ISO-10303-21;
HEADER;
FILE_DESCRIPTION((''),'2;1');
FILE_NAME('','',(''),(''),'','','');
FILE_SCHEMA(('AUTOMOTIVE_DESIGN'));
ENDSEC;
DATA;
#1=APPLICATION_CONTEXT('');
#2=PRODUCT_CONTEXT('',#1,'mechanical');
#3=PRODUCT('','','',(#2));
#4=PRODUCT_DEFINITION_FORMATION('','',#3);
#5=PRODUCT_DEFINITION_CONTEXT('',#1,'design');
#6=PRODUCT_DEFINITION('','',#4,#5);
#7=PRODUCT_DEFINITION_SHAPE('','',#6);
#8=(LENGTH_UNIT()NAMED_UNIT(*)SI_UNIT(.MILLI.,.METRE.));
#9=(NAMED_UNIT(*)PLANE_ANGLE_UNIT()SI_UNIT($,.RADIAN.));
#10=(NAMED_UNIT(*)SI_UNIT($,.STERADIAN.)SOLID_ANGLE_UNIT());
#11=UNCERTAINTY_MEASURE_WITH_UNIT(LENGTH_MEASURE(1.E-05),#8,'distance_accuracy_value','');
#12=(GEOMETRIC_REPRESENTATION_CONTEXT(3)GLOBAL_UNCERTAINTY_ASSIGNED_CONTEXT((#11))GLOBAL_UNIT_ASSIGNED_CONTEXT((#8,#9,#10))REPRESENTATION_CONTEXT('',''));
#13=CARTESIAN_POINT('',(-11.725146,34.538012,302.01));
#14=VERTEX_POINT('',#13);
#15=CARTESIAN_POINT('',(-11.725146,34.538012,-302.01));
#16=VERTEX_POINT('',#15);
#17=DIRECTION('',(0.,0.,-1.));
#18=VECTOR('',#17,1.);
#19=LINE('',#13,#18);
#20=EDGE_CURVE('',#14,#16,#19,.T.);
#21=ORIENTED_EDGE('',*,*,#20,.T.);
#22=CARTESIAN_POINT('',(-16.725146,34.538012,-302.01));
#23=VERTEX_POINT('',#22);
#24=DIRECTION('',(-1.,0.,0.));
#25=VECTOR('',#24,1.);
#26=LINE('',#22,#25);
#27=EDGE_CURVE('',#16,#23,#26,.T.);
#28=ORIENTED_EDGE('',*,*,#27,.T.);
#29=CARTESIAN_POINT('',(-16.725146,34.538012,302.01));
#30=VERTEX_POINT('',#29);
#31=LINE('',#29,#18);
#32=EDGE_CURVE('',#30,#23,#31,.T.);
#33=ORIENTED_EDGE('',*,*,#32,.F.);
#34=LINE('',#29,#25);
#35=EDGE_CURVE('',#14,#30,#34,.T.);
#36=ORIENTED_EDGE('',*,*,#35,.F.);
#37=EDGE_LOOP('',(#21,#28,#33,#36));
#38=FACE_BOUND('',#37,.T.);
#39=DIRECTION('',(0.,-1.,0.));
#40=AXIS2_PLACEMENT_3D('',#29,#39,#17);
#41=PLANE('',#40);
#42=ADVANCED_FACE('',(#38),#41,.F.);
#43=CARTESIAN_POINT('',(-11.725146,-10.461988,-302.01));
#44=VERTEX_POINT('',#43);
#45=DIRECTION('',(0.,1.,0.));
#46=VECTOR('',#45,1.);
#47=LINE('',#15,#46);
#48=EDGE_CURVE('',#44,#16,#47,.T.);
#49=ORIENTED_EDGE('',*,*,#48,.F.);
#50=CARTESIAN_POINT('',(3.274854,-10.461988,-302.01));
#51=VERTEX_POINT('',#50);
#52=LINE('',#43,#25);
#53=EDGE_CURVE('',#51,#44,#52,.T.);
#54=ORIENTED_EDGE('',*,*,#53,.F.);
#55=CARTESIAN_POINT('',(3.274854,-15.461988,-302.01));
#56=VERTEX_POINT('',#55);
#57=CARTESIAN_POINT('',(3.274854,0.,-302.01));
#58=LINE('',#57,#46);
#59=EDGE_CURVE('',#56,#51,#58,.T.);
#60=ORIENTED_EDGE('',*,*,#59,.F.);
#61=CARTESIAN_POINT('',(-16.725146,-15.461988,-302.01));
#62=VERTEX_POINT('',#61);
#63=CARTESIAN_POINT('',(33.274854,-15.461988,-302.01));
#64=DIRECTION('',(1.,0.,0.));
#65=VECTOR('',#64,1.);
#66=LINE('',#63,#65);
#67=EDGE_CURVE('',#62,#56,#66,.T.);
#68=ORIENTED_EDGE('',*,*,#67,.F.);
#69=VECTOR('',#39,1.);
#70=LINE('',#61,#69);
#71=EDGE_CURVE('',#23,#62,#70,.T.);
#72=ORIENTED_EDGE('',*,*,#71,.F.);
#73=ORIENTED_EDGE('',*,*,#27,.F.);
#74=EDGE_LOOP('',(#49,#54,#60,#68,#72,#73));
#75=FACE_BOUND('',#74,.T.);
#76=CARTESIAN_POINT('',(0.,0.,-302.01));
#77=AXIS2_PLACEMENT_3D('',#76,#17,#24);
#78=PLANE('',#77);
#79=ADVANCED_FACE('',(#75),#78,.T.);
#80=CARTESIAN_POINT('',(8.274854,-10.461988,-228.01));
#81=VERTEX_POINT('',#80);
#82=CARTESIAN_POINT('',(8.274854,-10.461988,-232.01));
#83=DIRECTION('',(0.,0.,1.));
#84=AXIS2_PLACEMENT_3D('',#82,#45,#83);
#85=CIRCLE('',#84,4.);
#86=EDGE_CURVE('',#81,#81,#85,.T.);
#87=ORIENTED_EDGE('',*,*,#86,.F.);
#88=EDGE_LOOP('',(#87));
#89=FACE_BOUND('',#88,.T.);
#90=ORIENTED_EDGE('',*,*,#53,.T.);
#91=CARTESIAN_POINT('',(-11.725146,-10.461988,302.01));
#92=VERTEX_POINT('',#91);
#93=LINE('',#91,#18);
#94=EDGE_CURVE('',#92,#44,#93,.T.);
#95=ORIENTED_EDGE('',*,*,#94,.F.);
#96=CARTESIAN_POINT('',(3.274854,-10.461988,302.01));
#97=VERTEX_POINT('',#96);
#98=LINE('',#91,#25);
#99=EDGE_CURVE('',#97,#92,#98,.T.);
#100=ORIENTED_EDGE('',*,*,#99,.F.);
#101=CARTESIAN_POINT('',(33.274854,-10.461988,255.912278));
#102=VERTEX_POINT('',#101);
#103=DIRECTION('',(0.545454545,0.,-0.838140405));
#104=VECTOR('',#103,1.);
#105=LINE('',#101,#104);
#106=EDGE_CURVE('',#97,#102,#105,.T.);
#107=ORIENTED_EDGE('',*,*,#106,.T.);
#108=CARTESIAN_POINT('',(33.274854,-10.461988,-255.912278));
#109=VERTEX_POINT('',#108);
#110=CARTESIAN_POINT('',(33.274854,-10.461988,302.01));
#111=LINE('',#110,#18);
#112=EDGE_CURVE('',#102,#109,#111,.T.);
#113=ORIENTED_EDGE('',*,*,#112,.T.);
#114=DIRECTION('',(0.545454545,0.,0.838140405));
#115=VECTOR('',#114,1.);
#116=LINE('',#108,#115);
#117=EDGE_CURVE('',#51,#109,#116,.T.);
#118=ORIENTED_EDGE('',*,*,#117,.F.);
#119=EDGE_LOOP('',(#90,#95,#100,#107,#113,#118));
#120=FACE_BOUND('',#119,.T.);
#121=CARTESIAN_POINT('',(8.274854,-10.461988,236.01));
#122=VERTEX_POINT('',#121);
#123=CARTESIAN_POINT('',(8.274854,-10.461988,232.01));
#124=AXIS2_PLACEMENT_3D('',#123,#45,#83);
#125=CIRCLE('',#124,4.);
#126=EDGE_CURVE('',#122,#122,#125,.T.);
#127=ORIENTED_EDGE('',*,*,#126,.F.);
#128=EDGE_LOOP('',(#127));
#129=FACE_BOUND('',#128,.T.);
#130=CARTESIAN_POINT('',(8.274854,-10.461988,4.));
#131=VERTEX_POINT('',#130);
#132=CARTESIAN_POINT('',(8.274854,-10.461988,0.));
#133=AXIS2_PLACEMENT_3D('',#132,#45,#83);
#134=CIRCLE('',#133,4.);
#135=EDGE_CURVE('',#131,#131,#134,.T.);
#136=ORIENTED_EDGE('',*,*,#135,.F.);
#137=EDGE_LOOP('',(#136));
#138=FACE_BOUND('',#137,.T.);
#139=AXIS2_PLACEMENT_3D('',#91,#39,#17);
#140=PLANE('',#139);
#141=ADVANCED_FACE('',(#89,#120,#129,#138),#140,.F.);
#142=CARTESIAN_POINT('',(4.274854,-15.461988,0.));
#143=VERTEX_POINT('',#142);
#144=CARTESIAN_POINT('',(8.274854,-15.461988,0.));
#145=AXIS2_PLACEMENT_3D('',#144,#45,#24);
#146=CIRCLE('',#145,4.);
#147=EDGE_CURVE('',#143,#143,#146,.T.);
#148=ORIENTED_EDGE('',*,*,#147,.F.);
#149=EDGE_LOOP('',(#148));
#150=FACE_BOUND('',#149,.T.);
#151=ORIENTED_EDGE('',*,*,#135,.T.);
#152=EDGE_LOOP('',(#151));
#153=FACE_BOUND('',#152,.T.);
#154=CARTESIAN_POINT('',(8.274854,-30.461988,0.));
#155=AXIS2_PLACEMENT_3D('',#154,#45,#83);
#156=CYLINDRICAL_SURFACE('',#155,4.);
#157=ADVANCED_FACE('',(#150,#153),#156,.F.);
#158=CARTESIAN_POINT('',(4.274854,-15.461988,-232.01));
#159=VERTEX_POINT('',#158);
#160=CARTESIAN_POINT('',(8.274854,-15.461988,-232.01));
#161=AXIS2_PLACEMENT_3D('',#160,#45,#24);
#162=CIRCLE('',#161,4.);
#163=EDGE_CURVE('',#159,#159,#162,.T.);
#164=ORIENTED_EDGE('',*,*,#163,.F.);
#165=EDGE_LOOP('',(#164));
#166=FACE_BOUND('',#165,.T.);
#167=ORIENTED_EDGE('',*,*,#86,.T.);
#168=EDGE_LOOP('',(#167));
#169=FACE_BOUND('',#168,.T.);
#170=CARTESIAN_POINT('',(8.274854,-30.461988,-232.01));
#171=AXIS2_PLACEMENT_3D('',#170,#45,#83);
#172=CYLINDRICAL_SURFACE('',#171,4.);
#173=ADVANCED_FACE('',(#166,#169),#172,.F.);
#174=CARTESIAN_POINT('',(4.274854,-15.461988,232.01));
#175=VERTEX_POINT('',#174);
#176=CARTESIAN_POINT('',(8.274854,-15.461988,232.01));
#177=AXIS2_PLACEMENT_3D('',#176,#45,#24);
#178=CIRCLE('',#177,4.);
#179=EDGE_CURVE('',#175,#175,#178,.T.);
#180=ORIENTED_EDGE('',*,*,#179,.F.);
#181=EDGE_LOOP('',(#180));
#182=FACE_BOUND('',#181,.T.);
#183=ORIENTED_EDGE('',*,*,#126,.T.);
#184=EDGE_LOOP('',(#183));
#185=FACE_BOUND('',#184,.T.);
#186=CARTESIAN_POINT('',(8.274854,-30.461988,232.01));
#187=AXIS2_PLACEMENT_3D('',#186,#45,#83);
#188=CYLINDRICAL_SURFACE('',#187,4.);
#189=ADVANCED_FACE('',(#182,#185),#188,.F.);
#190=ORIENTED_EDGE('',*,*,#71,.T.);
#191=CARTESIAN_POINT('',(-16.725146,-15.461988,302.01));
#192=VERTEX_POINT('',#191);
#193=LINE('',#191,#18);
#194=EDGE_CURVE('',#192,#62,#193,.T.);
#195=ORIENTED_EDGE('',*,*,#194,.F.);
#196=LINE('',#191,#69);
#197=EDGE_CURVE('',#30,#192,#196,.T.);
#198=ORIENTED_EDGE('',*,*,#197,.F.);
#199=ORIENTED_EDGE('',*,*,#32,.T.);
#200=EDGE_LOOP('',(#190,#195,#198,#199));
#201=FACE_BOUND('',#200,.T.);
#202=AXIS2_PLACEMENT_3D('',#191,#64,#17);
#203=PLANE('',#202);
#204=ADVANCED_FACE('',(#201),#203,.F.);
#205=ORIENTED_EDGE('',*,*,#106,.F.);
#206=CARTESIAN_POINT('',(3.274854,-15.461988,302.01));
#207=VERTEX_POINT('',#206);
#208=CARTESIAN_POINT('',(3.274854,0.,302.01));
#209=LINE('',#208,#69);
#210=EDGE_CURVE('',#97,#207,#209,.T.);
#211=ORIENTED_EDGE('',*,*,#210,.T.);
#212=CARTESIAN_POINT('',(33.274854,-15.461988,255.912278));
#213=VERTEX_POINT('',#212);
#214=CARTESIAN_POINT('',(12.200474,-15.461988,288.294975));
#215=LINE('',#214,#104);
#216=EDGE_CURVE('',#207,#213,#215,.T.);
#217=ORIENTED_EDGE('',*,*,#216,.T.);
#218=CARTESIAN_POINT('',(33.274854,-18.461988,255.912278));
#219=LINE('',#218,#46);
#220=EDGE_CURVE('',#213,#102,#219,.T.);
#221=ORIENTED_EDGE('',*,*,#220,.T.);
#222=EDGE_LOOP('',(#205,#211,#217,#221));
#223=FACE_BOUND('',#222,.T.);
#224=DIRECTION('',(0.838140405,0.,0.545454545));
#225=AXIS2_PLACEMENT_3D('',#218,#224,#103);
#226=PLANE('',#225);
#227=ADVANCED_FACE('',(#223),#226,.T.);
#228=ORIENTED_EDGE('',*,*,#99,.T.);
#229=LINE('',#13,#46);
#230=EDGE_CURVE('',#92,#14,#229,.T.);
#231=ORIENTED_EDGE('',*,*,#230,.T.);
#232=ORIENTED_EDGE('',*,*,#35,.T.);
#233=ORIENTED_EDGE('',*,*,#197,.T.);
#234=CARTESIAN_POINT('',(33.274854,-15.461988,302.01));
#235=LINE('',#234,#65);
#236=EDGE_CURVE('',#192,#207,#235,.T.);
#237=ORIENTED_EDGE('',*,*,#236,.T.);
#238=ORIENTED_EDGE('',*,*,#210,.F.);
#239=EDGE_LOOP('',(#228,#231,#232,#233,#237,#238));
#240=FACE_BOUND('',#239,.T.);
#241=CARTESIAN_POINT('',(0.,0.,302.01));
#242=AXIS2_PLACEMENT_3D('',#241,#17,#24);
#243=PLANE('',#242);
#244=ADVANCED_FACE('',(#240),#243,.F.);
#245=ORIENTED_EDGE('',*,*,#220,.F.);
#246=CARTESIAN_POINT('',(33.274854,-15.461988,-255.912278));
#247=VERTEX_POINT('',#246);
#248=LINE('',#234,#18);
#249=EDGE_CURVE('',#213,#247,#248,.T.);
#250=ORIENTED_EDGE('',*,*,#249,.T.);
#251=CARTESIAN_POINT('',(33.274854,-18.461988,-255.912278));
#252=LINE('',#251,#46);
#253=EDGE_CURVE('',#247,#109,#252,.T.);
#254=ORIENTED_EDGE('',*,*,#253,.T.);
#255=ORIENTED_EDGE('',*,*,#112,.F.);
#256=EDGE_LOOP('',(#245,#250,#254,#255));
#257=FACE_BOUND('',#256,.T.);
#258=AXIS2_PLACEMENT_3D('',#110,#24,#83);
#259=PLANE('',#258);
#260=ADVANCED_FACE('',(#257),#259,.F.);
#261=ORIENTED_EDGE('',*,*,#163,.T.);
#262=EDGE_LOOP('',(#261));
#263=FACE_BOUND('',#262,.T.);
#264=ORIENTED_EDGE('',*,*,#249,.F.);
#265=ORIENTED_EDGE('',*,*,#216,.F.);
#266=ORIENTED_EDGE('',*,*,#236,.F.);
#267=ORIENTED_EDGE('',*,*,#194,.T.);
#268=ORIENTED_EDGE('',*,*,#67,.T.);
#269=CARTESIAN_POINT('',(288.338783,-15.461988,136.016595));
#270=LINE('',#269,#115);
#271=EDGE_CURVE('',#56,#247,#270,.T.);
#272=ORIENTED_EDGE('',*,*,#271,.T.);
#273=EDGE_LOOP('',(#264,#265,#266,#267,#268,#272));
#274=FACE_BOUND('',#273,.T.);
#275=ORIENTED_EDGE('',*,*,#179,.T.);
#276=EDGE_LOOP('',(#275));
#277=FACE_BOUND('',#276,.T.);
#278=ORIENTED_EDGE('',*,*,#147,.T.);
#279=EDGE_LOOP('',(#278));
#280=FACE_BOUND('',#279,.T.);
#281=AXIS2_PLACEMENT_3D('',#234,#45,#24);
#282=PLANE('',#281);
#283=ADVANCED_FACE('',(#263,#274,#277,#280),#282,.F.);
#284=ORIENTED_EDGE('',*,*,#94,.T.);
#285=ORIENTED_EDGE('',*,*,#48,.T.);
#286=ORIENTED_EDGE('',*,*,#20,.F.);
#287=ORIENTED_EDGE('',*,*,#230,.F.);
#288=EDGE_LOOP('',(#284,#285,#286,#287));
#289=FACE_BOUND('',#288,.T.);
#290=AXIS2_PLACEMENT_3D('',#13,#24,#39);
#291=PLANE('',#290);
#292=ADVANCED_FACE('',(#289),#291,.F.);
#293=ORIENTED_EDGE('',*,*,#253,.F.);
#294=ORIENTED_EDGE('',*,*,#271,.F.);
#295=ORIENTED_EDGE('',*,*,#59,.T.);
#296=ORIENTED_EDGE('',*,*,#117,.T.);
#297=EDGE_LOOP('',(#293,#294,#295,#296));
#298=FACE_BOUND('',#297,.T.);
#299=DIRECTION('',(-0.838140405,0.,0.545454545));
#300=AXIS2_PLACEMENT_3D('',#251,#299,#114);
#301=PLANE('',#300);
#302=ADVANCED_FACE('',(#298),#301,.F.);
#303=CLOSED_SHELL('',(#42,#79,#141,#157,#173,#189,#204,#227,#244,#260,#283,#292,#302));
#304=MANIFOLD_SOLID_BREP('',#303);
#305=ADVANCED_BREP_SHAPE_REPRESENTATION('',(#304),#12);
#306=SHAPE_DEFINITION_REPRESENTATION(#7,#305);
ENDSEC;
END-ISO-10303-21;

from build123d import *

# Parameters (mm, degrees)
BOSS_EXTRUDE1_DEPTH = 302.01
SKETCH2_R           = 4
CUT_EXTRUDE1_DEPTH  = 20
CUT_EXTRUDE2_DEPTH  = 8
LPATTERN1_COUNT     = 3
LPATTERN1_PITCH     = 232.01


with BuildPart() as part:
    # Sketch1 → Boss-Extrude1 (new, symmetric)
    with BuildSketch(Plane.XY):
        Polygon((-16.725146199, 34.538011696), (-11.725146199, 34.538011696), (-11.725146199, -10.461988304), (33.274853801, -10.461988304), (33.274853801, -15.461988304), (-16.725146199, -15.461988304), align=None)
    extrude(amount=BOSS_EXTRUDE1_DEPTH, both=True)

    # Sketch2 → Cut-Extrude1 (cut)
    with BuildSketch(Plane(origin=(0, -10.461988304, 0), x_dir=(1, 0, 0), z_dir=(0, 1, 0))):
        with Locations(Location((8.274853801, 232.01, 0), (0, 0, 270))):
            Circle(SKETCH2_R)
    cut_extrude1 = extrude(amount=-CUT_EXTRUDE1_DEPTH, mode=Mode.SUBTRACT)

    # Sketch3 → Cut-Extrude2 (cut)
    with BuildSketch(Plane(origin=(0, -10.461988304, 0), x_dir=(1, 0, 0), z_dir=(0, 1, 0))):
        Polygon((33.274853801, 255.912277714), (3.274853801, 302.01), (33.274853801, 302.01), align=None)
    cut_extrude2 = extrude(amount=-CUT_EXTRUDE2_DEPTH, mode=Mode.SUBTRACT)

    # Mirror2: Cut-Extrude2 across plane
    add(cut_extrude2.mirror(Plane.XY), mode=Mode.SUBTRACT)

    # LPattern1: Cut-Extrude1 ×3
    with Locations(*[(0, 0, i * LPATTERN1_PITCH) for i in range(1, LPATTERN1_COUNT)]):
        add(cut_extrude1, mode=Mode.SUBTRACT)


solid = part.part
